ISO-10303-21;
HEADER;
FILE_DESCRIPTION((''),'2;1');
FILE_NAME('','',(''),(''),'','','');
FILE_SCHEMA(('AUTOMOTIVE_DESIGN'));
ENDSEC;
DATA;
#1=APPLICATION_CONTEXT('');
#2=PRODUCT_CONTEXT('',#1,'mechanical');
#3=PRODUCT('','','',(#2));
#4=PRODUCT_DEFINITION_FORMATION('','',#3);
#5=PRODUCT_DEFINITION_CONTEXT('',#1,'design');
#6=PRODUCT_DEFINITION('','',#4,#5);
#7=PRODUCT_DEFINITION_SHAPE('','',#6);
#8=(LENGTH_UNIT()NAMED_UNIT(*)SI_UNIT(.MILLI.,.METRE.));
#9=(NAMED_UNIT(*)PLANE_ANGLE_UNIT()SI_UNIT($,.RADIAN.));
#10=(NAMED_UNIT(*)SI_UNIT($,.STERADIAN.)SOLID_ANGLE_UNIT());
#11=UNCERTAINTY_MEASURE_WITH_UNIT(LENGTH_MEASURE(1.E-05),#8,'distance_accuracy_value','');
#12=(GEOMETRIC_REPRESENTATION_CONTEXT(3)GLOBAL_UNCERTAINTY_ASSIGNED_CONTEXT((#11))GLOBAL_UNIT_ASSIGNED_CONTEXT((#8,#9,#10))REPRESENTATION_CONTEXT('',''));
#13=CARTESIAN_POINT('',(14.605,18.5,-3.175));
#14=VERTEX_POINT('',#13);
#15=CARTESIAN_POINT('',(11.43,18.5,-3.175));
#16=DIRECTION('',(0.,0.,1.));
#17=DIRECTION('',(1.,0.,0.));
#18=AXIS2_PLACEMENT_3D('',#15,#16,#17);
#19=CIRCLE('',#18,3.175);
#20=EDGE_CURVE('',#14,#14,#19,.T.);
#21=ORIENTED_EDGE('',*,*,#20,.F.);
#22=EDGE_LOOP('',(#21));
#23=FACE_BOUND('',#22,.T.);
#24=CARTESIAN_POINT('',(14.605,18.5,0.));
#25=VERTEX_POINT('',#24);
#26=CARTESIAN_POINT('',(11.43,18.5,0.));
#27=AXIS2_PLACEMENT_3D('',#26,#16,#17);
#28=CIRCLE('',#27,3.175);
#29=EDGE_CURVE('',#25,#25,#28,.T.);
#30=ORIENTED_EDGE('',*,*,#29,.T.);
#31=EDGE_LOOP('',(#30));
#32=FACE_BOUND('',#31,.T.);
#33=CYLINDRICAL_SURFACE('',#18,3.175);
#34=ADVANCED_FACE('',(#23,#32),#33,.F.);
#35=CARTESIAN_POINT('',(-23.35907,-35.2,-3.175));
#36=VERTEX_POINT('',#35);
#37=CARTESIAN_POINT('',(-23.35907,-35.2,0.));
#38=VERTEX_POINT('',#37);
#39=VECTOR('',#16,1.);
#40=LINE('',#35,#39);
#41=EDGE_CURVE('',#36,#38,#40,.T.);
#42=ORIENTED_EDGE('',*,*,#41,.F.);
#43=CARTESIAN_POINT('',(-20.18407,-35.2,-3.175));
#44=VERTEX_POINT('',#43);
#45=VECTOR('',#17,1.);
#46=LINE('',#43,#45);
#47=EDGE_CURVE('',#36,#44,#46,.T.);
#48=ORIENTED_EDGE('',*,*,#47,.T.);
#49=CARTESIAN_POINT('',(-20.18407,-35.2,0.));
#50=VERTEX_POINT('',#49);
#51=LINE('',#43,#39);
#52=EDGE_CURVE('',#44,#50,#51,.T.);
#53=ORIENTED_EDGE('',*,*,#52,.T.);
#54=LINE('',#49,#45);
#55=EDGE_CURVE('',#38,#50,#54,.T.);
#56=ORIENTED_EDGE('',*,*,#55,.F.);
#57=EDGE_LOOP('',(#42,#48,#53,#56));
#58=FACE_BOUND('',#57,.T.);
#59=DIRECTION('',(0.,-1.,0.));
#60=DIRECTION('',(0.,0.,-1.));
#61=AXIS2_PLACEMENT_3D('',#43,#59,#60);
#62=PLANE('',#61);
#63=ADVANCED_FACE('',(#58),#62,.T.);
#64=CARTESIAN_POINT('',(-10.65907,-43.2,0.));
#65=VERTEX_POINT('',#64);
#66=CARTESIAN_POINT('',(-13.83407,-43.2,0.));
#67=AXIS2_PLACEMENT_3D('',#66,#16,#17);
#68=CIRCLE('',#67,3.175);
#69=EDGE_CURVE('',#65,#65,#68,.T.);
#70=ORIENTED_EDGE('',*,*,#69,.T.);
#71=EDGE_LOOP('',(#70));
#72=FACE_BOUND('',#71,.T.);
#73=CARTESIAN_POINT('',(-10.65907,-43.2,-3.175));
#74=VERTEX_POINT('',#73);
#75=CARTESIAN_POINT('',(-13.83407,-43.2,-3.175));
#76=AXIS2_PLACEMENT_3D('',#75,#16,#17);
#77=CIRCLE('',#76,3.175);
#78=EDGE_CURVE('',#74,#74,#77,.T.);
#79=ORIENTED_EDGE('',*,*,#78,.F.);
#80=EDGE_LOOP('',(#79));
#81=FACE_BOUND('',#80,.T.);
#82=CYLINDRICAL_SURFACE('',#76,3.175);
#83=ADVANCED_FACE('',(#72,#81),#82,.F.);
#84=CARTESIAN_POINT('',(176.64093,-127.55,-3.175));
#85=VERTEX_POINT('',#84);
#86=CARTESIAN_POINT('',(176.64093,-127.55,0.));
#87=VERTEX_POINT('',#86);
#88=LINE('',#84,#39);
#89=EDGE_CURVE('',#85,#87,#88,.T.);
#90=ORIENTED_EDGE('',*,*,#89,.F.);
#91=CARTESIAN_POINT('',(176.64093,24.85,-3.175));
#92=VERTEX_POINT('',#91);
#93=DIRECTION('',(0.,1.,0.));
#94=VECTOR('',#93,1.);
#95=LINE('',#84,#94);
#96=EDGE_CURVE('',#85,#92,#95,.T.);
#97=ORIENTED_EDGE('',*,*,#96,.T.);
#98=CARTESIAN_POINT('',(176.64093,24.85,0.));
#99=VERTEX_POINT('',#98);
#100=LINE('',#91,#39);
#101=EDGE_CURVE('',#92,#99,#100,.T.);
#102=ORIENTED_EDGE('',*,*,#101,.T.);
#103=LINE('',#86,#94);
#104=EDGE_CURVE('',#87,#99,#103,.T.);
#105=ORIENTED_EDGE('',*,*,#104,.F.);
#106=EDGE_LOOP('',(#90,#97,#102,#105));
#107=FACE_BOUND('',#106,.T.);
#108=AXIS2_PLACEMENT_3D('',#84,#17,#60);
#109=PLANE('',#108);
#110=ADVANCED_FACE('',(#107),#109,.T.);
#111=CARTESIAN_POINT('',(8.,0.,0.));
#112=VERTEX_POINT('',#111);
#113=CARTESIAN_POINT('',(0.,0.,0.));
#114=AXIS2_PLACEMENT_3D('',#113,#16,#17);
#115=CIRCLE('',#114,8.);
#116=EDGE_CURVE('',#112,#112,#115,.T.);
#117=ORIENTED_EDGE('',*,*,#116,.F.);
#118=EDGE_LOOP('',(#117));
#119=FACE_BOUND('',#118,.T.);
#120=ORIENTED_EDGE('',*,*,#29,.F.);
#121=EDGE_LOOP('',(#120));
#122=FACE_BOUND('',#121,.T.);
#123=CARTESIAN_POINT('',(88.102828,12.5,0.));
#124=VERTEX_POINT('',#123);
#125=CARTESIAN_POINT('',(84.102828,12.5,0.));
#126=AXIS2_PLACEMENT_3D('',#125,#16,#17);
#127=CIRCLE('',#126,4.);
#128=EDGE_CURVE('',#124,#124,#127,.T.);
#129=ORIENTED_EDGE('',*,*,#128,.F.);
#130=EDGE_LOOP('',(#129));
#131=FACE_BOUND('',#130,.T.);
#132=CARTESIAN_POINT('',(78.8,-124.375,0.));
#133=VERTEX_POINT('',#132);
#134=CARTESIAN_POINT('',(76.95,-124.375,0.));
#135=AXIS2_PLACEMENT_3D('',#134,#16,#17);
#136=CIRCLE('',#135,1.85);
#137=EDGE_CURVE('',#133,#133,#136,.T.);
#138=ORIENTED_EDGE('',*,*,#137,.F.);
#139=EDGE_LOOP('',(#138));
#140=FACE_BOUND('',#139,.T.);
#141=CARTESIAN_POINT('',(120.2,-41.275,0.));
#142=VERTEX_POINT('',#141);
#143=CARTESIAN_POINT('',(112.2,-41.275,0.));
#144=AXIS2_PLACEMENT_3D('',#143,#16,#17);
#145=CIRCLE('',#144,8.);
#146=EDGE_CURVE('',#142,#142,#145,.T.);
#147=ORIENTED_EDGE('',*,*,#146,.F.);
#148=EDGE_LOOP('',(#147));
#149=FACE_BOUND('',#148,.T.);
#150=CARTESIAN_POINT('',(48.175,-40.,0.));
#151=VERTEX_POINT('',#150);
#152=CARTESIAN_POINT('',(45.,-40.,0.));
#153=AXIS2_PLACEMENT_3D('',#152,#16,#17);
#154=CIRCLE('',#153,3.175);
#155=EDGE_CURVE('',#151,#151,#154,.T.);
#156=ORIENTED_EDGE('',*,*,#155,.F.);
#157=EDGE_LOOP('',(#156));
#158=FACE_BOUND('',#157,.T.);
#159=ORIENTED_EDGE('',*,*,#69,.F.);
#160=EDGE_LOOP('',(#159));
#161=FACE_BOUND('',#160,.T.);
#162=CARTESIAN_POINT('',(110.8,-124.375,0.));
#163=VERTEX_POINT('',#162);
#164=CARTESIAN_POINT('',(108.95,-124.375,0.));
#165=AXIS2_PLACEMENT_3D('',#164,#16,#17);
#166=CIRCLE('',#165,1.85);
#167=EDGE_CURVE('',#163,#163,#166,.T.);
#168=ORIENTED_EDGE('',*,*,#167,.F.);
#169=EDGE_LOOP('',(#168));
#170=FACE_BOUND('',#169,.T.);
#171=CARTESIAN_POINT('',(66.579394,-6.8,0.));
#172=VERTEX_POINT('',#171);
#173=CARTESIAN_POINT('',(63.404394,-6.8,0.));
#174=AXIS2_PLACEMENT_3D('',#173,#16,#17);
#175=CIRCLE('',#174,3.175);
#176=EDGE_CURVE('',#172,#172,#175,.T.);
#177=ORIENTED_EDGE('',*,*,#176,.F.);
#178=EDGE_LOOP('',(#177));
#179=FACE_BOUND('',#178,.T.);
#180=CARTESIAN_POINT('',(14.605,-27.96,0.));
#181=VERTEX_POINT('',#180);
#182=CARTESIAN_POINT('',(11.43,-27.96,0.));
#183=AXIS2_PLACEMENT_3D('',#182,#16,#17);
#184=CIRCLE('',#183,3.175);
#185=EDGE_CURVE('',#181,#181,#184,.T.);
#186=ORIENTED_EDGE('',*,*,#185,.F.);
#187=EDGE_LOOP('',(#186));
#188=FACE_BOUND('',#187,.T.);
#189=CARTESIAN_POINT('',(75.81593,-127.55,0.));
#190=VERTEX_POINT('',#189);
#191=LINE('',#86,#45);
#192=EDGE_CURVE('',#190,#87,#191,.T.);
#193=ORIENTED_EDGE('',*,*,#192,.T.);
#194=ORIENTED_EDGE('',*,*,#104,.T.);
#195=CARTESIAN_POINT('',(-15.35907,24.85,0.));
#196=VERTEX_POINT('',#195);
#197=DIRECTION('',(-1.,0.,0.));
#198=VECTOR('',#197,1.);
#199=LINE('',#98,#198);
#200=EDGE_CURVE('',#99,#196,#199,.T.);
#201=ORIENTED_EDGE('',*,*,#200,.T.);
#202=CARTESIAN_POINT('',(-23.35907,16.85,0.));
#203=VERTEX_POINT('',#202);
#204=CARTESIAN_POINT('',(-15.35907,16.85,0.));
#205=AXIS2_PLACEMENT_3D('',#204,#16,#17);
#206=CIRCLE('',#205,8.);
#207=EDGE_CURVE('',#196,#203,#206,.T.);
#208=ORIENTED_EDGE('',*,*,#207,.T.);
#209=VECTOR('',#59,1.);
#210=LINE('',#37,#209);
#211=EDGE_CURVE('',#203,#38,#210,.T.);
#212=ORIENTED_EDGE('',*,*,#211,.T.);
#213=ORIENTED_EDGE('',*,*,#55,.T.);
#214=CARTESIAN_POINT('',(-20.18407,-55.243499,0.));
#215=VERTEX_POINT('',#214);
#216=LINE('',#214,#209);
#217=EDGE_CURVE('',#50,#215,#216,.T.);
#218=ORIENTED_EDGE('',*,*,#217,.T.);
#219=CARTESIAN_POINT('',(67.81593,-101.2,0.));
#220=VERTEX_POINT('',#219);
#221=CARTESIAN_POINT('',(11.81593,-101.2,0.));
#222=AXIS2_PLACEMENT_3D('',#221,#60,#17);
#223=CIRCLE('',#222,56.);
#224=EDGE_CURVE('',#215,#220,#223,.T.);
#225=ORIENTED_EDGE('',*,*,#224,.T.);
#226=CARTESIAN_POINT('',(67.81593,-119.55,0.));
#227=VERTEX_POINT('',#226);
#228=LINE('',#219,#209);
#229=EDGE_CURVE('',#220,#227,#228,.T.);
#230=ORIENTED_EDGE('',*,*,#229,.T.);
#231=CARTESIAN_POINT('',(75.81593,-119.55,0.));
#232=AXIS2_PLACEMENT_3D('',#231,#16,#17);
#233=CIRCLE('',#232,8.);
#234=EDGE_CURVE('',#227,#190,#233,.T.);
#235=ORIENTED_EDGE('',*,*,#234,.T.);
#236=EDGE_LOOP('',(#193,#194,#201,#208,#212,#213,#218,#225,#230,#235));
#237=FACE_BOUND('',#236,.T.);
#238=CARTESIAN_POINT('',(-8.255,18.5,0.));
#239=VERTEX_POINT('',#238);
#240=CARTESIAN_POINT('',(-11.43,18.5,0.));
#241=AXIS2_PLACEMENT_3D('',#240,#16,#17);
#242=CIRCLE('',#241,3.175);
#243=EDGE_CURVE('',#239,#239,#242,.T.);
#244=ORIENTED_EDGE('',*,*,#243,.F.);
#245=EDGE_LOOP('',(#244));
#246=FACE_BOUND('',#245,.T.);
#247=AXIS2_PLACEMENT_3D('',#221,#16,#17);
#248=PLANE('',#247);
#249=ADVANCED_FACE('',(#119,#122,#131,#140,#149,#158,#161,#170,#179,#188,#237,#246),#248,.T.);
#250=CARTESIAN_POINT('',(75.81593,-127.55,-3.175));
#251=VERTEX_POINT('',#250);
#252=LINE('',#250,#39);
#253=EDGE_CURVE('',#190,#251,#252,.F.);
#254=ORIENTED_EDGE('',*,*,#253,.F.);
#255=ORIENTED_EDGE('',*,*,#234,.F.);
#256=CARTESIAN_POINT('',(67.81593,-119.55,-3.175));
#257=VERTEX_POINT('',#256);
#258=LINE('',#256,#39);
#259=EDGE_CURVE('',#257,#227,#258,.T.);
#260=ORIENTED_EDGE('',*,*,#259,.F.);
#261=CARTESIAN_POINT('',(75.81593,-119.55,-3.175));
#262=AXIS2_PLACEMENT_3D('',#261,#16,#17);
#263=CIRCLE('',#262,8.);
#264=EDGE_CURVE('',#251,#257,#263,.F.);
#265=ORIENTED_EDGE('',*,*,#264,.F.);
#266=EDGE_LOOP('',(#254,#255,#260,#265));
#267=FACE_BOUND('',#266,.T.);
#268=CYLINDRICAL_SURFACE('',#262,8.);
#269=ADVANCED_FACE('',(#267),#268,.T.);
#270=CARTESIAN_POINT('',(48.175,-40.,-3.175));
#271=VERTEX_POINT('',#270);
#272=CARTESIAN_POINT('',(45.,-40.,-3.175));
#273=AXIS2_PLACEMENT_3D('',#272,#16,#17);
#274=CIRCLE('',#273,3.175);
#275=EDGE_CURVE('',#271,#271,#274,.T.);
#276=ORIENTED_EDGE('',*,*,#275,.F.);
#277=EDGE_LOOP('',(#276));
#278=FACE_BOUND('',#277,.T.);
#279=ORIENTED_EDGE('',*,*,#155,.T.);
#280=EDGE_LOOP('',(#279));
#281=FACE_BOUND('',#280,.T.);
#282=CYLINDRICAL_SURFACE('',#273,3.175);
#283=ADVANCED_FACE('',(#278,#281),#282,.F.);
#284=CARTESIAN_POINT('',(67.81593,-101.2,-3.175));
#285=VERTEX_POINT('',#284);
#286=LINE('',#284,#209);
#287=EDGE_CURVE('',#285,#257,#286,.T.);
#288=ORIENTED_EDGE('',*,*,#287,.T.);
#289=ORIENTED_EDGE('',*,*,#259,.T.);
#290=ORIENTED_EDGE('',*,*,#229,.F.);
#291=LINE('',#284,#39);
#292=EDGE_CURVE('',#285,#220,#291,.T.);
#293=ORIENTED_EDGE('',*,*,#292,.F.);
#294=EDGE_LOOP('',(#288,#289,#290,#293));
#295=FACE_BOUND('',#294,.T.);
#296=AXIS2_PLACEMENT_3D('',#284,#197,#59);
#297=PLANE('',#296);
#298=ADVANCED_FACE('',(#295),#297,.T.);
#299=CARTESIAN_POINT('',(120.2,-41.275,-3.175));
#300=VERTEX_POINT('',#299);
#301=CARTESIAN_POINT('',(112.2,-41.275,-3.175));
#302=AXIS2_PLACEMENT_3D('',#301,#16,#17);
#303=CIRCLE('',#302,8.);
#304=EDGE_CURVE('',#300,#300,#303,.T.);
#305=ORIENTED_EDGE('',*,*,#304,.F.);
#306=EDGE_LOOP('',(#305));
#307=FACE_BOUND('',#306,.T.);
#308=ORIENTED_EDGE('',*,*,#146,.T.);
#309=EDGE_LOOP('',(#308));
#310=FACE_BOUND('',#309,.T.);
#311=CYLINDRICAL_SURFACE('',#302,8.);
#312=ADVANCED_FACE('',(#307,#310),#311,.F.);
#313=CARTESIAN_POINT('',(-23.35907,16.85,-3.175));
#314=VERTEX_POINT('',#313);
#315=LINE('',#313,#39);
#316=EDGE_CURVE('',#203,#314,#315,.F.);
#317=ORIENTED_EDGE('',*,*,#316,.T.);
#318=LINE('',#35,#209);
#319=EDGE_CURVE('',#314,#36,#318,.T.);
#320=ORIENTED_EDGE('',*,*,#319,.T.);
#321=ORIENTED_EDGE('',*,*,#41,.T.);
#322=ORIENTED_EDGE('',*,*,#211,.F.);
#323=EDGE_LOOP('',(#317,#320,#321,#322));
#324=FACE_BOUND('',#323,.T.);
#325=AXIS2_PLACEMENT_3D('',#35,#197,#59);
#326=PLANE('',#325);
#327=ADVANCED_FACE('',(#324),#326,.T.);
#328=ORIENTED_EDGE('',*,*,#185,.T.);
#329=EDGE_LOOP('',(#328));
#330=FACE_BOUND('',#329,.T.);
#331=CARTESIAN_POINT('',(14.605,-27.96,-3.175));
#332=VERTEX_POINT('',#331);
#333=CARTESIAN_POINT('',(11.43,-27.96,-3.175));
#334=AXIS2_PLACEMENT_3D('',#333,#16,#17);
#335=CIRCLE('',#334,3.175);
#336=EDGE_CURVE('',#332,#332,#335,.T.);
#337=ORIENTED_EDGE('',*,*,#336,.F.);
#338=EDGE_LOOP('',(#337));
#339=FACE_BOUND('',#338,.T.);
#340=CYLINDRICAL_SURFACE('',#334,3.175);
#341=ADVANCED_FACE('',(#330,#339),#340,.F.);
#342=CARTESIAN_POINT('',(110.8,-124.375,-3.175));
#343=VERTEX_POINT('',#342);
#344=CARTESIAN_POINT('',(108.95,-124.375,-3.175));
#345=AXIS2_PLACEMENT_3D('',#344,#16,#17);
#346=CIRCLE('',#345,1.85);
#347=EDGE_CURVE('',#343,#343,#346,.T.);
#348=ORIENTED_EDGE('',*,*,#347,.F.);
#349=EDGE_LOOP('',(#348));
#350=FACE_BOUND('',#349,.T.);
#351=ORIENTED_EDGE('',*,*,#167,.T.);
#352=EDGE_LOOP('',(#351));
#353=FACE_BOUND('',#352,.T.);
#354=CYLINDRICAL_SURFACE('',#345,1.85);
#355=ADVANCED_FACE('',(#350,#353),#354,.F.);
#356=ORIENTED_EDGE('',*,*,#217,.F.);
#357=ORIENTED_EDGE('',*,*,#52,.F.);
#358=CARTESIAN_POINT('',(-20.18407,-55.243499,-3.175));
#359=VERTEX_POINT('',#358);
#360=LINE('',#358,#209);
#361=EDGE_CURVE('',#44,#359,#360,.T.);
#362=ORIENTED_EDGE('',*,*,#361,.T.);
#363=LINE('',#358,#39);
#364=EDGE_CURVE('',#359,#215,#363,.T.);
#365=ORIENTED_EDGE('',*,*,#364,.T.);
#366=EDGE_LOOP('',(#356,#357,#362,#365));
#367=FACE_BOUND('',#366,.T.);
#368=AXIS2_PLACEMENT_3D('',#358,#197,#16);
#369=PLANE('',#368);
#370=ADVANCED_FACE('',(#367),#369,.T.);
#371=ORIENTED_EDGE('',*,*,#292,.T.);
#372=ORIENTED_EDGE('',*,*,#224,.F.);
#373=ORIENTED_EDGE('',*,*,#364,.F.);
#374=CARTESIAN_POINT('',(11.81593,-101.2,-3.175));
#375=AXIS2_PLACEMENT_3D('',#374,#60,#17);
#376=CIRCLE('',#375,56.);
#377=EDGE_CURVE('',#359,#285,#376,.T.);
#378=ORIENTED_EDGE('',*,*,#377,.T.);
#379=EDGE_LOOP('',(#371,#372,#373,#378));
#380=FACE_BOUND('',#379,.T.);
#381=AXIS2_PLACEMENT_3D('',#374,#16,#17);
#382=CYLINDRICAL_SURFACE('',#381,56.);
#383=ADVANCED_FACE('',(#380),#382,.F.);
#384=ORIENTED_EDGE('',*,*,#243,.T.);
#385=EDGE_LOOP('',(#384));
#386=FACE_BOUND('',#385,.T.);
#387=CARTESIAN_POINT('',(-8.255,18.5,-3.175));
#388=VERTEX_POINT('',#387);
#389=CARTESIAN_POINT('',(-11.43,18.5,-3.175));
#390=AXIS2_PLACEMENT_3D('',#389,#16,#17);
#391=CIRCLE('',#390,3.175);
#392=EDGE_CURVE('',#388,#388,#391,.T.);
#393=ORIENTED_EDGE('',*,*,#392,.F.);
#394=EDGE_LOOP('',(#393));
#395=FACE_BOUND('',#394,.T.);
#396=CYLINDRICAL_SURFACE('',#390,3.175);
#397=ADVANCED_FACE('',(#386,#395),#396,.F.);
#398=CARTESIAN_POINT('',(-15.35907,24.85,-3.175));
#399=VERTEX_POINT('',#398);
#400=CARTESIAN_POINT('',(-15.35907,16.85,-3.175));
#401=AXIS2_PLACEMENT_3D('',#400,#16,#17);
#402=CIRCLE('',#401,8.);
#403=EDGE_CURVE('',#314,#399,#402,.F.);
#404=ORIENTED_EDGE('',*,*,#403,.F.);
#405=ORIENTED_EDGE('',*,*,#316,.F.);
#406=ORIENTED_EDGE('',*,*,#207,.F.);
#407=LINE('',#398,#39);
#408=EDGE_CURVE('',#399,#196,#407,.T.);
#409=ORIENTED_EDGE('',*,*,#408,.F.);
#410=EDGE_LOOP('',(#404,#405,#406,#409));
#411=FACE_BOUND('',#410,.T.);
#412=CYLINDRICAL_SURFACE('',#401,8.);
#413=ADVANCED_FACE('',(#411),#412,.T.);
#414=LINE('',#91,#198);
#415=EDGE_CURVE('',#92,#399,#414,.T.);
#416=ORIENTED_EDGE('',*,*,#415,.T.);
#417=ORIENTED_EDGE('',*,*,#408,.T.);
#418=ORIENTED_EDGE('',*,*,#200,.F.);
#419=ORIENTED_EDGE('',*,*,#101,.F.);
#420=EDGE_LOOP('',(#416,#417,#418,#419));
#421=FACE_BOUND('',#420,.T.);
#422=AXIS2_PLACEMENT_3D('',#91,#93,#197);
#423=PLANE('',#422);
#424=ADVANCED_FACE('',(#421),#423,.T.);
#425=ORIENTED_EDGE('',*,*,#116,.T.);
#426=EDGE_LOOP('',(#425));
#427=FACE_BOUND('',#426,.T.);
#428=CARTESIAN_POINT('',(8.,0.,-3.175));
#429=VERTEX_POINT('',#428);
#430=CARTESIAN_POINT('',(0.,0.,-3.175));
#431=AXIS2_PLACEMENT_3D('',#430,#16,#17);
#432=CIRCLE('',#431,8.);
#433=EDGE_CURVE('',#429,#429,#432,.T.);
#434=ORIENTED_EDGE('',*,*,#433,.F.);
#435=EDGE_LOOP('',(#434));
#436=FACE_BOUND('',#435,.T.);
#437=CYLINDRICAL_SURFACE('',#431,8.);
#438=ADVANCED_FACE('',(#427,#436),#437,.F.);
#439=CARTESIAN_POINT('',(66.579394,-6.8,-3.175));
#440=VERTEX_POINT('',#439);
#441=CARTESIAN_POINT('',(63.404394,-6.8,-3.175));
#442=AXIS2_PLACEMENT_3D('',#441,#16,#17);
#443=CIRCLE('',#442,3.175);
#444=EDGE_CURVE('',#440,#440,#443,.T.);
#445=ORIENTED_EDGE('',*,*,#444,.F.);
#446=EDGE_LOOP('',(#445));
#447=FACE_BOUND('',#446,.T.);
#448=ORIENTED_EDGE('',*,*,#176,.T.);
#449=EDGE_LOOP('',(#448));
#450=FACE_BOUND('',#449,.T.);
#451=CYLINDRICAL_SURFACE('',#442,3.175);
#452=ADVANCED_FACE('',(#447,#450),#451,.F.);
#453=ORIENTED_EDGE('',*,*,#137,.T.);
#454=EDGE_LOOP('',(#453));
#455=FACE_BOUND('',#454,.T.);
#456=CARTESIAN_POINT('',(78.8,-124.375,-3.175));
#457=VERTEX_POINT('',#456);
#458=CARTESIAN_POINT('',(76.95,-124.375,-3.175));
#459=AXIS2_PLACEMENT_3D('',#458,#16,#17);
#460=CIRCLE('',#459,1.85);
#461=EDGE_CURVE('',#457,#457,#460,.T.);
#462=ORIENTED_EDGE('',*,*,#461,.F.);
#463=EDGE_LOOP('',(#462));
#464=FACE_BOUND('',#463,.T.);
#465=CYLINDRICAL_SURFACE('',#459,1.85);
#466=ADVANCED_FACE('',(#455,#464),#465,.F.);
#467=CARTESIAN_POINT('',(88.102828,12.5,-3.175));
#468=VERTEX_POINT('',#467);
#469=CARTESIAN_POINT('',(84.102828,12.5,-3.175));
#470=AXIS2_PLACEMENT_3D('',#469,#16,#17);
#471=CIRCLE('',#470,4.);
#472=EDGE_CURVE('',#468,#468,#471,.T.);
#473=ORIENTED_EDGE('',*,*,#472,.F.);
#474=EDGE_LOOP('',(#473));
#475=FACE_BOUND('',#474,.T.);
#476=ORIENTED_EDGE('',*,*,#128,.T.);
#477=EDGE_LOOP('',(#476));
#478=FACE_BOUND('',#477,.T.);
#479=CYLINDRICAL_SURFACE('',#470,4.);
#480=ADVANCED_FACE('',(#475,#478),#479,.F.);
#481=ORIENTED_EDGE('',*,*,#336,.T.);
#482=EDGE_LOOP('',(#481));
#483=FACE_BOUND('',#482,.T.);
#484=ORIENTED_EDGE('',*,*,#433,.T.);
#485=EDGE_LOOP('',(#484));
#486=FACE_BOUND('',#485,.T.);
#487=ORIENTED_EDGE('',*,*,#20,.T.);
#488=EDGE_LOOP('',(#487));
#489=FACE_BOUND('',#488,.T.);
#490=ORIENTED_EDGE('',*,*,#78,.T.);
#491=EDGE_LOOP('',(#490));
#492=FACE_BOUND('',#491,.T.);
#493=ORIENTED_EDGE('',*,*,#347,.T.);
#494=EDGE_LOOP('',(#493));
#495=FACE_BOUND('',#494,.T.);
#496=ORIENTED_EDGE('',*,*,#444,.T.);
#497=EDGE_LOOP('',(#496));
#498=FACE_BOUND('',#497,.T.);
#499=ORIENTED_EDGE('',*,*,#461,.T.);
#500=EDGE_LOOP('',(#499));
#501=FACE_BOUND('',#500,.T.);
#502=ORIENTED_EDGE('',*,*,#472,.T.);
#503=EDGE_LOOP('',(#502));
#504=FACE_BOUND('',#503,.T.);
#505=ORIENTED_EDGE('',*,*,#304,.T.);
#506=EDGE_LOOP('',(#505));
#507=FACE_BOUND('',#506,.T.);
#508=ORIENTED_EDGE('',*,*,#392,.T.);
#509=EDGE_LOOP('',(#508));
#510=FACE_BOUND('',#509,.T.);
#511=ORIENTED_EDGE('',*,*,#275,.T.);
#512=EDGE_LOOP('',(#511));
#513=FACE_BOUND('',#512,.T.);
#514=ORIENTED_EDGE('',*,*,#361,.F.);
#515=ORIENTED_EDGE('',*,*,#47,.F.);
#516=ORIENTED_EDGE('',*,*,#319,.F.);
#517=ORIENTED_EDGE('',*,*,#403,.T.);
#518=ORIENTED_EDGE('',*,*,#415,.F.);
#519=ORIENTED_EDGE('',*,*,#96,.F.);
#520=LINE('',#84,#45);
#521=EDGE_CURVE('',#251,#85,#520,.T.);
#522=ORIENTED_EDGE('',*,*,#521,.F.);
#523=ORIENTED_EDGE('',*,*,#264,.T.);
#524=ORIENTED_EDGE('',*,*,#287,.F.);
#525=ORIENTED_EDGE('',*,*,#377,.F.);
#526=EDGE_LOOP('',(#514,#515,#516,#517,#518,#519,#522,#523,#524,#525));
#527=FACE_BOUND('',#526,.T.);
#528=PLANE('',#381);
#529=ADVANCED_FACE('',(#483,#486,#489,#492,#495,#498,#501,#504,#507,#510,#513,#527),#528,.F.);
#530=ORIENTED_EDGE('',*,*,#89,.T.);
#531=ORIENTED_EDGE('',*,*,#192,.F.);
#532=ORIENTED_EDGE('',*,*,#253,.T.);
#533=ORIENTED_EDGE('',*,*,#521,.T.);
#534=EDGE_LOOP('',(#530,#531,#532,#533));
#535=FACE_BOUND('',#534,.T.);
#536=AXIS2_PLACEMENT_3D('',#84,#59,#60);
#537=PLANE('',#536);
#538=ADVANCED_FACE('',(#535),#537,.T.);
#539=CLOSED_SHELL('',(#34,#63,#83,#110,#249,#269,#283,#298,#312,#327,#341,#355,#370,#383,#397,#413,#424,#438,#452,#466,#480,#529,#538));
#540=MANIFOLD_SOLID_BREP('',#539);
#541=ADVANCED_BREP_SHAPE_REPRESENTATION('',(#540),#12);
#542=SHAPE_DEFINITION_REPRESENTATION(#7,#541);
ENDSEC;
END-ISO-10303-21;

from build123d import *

# Parameters (mm, degrees)
SKETCH1_R           = 8
SKETCH1_R_2         = 3.175
SKETCH1_R_3         = 1.85
SKETCH1_R_4         = 4
BOSS_EXTRUDE1_DEPTH = 3.175
FILLET1_R           = 8
FILLET2_R           = 8


with BuildPart() as part:
    # Sketch1 → Boss-Extrude1 (new body)
    with BuildSketch(Plane.XY):
        with BuildLine():
            Line((176.640929786, -127.55), (67.815929786, -127.55))
            Line((67.815929786, -127.55), (67.815929786, -101.2))
            ThreePointArc((67.815929786, -101.2), (37.73889258, -51.561305416), (-20.184070214, -55.243498828))
            Line((-20.184070214, -55.243498828), (-20.184070214, -35.2))
            Line((-20.184070214, -35.2), (-23.359070214, -35.2))
            Line((-23.359070214, -35.2), (-23.359070214, 24.85))
            Line((-23.359070214, 24.85), (176.640929786, 24.85))
            Line((176.640929786, 24.85), (176.640929786, -127.55))
        make_face()
        with Locations((112.2, -41.275)):
            Circle(SKETCH1_R, mode=Mode.SUBTRACT)
        Circle(SKETCH1_R, mode=Mode.SUBTRACT)
        with Locations((11.43, -27.96)):
            Circle(SKETCH1_R_2, mode=Mode.SUBTRACT)
        with Locations((-11.43, 18.5)):
            Circle(SKETCH1_R_2, mode=Mode.SUBTRACT)
        with Locations((11.43, 18.5)):
            Circle(SKETCH1_R_2, mode=Mode.SUBTRACT)
        with Locations((45, -40)):
            Circle(SKETCH1_R_2, mode=Mode.SUBTRACT)
        with Locations((63.404393546, -6.8)):
            Circle(SKETCH1_R_2, mode=Mode.SUBTRACT)
        with Locations((108.95, -124.375)):
            Circle(SKETCH1_R_3, mode=Mode.SUBTRACT)
        with Locations((76.95, -124.375)):
            Circle(SKETCH1_R_3, mode=Mode.SUBTRACT)
        with Locations((-13.834070214, -43.2)):
            Circle(SKETCH1_R_2, mode=Mode.SUBTRACT)
        with Locations((84.102828318, 12.5)):
            Circle(SKETCH1_R_4, mode=Mode.SUBTRACT)
    extrude(amount=-BOSS_EXTRUDE1_DEPTH)

    # Fillet1
    fillet1_edges = [part.edges().sort_by_distance(p)[0] for p in [
        (67.815929786, -127.55, -1.5875),
    ]]
    fillet(fillet1_edges, radius=FILLET1_R)

    # Fillet2
    fillet2_edges = [part.edges().sort_by_distance(p)[0] for p in [
        (-23.359070214, 24.85, -1.5875),
    ]]
    fillet(fillet2_edges, radius=FILLET2_R)


solid = part.part
